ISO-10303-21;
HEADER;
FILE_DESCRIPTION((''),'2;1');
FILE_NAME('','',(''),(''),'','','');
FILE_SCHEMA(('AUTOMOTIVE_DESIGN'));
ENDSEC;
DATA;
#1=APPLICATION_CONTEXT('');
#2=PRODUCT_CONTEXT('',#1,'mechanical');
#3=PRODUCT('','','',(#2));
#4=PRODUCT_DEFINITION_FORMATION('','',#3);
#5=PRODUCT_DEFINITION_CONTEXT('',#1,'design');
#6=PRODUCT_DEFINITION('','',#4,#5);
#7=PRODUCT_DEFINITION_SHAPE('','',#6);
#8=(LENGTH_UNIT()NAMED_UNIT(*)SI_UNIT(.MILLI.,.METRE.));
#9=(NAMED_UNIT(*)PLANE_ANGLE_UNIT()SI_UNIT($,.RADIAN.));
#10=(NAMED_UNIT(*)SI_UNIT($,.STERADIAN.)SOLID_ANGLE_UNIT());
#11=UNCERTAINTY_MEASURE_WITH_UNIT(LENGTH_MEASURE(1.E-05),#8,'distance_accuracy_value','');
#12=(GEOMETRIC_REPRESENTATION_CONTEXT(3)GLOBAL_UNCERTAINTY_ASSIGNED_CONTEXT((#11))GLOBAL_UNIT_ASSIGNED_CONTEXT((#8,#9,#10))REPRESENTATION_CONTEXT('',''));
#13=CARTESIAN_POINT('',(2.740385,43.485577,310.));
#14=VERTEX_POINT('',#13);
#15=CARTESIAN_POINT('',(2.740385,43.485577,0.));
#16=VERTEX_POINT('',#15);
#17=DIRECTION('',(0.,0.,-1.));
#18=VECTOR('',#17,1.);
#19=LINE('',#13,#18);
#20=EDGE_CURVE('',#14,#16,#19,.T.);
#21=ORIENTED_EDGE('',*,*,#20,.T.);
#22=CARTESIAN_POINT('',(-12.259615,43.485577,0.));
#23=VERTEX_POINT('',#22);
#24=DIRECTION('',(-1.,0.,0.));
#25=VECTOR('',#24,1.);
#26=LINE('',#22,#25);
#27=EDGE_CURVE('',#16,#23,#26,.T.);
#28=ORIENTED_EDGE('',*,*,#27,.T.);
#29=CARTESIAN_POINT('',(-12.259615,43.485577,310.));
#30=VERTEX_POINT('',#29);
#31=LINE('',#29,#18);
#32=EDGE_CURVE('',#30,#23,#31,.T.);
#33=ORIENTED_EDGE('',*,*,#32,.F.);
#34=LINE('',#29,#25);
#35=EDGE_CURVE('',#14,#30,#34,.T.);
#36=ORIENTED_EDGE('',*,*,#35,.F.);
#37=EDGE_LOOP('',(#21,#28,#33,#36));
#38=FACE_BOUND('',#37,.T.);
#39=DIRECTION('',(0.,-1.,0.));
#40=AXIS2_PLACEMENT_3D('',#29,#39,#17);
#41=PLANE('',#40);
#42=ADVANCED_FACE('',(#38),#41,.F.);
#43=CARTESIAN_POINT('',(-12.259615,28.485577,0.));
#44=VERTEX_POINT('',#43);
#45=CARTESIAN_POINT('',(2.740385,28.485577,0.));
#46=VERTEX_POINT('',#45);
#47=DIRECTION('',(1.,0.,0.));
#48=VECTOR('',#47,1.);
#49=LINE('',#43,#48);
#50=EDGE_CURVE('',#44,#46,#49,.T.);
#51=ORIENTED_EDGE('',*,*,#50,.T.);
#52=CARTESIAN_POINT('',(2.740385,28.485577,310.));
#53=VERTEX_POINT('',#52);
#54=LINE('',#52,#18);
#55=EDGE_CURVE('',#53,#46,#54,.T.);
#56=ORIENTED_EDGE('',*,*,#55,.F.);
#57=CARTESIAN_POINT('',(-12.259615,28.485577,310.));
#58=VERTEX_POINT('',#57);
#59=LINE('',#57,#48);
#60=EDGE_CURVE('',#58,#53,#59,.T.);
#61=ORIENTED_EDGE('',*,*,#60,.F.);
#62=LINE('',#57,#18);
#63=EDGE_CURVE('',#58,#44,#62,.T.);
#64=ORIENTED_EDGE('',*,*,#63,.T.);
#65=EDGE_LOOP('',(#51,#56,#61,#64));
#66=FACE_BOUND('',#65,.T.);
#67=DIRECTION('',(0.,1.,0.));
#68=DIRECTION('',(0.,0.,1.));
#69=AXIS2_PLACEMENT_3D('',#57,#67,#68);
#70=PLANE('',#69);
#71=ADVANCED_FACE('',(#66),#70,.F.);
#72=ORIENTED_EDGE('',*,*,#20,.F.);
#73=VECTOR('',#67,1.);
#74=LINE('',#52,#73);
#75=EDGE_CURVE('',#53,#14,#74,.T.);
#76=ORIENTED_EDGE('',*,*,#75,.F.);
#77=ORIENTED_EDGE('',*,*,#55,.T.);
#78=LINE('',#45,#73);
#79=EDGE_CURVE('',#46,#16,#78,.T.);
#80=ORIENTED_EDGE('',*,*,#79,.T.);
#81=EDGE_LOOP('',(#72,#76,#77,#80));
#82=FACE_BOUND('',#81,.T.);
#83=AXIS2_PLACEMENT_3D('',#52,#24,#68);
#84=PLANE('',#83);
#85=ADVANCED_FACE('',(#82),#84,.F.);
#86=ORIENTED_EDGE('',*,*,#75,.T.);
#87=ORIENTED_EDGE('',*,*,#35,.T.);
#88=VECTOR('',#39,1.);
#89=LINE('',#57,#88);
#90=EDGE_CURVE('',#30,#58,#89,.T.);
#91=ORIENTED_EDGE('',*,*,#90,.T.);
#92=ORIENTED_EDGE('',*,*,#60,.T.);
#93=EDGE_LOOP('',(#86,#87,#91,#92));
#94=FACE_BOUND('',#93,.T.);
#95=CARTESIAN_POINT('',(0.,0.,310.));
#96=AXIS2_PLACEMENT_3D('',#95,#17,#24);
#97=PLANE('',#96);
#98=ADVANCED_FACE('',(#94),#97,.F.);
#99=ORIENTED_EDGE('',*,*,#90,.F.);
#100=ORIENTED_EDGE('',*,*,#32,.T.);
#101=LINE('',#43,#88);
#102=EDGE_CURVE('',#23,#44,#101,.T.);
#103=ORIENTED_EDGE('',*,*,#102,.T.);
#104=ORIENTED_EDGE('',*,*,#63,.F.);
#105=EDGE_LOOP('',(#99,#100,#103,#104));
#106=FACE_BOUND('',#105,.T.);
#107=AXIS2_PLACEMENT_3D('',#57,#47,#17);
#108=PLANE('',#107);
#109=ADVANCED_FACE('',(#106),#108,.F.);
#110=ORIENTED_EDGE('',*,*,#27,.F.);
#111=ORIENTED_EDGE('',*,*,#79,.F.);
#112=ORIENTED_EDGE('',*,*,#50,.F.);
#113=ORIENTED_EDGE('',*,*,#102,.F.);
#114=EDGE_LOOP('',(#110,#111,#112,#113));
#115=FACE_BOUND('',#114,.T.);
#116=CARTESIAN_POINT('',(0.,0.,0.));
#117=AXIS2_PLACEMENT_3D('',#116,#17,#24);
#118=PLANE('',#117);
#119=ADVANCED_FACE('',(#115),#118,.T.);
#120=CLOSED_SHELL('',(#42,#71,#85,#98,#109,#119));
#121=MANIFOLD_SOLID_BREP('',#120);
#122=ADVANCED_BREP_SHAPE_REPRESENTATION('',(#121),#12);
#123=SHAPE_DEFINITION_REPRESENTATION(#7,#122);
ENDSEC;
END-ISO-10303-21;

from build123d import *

# Parameters (mm, degrees)
SKETCH_6_W      = 15
SKETCH_6_H      = 15
EXTRUDE_2_DEPTH = 310


with BuildPart() as part:
    # 草图6 → 凸台-拉伸2 (new body)
    with BuildSketch(Plane.XY):
        with Locations((-4.759615385, 35.985576923)):
            Rectangle(SKETCH_6_W, SKETCH_6_H)
    extrude(amount=EXTRUDE_2_DEPTH)


solid = part.part
